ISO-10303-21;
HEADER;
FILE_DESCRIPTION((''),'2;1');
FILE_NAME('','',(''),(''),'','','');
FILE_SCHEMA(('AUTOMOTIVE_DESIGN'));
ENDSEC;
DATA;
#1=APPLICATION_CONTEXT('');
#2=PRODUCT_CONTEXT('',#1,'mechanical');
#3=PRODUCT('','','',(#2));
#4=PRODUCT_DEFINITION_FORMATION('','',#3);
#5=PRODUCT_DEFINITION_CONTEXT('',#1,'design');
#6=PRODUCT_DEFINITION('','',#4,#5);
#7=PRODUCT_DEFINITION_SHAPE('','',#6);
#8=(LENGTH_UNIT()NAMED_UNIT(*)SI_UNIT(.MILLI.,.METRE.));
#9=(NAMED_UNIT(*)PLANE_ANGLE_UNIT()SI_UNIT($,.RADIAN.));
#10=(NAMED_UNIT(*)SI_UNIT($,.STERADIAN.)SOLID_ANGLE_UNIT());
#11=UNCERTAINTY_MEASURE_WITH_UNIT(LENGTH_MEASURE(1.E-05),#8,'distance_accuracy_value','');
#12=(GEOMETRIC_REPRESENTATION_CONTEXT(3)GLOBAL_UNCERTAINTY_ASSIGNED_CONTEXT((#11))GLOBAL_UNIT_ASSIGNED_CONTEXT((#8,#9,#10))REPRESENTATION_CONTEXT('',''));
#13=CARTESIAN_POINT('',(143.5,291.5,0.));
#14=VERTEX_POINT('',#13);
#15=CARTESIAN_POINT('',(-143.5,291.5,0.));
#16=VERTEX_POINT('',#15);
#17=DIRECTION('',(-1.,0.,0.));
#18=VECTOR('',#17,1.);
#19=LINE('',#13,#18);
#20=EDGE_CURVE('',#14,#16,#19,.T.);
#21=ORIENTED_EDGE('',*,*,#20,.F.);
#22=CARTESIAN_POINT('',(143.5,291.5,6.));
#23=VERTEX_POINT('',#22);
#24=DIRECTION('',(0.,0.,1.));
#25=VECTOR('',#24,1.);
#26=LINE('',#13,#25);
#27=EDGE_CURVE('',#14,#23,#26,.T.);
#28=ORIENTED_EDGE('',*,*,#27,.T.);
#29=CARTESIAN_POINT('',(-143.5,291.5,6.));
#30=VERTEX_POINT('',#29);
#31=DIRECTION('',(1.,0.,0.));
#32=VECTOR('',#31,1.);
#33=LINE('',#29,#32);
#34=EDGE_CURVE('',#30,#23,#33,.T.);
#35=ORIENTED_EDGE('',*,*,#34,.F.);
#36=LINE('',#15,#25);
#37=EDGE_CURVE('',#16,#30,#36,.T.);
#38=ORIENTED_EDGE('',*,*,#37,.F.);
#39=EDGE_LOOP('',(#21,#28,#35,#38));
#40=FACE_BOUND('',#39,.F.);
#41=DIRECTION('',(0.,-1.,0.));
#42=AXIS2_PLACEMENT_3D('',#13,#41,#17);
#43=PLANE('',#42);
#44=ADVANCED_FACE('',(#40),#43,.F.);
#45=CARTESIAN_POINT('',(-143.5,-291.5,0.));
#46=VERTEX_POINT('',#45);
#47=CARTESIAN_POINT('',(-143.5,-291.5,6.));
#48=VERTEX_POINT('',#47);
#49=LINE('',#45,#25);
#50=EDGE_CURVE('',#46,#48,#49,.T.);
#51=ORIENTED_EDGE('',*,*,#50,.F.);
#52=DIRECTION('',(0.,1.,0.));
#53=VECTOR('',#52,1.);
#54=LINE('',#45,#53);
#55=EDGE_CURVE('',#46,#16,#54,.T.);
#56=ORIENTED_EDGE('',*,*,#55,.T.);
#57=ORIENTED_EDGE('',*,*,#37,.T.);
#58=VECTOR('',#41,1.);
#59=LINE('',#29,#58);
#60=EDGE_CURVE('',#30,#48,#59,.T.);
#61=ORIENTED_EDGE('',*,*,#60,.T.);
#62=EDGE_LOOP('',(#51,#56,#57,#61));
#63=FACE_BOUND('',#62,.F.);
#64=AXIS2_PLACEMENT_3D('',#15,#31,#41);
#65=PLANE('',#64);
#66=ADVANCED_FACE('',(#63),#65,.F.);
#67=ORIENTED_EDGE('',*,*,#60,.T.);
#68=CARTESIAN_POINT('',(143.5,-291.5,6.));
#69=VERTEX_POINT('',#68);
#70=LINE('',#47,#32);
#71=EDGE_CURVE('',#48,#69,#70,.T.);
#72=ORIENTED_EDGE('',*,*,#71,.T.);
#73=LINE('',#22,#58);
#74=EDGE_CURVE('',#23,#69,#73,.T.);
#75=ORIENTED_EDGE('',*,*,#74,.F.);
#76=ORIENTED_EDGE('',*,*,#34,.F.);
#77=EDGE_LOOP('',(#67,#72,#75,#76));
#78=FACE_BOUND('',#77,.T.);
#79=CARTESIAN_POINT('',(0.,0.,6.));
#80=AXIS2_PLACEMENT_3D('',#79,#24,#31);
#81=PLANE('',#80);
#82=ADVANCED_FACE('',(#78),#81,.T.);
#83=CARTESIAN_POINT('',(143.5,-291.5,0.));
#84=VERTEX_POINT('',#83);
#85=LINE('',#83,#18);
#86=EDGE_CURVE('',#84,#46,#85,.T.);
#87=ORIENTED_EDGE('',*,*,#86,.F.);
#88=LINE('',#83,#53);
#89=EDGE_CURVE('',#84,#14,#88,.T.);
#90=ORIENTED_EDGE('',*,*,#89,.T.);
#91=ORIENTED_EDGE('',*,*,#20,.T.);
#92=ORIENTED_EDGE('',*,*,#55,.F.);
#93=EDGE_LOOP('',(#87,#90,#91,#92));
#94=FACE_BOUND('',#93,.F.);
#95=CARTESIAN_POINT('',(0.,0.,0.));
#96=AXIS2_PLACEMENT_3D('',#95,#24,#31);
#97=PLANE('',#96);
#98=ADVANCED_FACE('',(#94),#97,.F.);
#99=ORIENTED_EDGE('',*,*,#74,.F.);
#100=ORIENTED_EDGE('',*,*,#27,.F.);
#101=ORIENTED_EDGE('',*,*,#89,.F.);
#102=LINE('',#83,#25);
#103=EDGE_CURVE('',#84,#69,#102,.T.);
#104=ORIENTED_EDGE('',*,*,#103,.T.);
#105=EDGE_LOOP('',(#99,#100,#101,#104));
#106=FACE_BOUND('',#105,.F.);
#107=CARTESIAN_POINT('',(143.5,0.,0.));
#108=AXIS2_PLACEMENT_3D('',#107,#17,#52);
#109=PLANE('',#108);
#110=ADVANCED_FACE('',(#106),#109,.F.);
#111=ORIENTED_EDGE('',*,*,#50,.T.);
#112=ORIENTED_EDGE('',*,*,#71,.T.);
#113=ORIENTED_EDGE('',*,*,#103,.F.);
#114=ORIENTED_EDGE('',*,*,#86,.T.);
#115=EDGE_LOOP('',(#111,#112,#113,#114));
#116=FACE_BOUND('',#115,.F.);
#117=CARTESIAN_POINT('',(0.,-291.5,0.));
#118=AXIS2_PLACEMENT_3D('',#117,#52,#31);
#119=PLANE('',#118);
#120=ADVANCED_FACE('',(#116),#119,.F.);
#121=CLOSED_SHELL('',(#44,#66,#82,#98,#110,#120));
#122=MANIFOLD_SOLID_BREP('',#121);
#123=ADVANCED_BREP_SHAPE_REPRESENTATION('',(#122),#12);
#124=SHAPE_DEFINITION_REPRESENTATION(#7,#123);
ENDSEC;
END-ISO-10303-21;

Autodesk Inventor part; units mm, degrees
ref_plane "YZ Plane" through (0, 0, 0) normal (1, 0, 0) x (0, 1, 0)
ref_plane "XZ Plane" through (0, 0, 0) normal (0, 1, 0) x (-1, 0, 0)
ref_plane "XY Plane" through (0, 0, 0) normal (0, 0, 1) x (1, 0, 0)
sketch "Skizze1" plane through (0, 0, 0) normal (0, 0, 1) x (1, 0, 0)
  line L0 (0, 408.1) -> (0, -408.1) projected
  line L1 (-200.9, 0) -> (200.9, 0) projected
  line L2 (-143.5, -291.5) -> (143.5, -291.5)
  line L3 (143.5, -291.5) -> (143.5, 291.5)
  line L4 (143.5, 291.5) -> (-143.5, 291.5)
  line L5 (-143.5, 291.5) -> (-143.5, -291.5)
  point P0 (0, 0)
  point P1 (0, -291.5)
  point P2 (-143.5, 0)
  dimension "d0" = 583
  dimension "d1" = 287
extrude "Extrusion1" add sketch "Skizze1" along normal blind 6
properties part number "AccessFloor3" material "PVC-U"
